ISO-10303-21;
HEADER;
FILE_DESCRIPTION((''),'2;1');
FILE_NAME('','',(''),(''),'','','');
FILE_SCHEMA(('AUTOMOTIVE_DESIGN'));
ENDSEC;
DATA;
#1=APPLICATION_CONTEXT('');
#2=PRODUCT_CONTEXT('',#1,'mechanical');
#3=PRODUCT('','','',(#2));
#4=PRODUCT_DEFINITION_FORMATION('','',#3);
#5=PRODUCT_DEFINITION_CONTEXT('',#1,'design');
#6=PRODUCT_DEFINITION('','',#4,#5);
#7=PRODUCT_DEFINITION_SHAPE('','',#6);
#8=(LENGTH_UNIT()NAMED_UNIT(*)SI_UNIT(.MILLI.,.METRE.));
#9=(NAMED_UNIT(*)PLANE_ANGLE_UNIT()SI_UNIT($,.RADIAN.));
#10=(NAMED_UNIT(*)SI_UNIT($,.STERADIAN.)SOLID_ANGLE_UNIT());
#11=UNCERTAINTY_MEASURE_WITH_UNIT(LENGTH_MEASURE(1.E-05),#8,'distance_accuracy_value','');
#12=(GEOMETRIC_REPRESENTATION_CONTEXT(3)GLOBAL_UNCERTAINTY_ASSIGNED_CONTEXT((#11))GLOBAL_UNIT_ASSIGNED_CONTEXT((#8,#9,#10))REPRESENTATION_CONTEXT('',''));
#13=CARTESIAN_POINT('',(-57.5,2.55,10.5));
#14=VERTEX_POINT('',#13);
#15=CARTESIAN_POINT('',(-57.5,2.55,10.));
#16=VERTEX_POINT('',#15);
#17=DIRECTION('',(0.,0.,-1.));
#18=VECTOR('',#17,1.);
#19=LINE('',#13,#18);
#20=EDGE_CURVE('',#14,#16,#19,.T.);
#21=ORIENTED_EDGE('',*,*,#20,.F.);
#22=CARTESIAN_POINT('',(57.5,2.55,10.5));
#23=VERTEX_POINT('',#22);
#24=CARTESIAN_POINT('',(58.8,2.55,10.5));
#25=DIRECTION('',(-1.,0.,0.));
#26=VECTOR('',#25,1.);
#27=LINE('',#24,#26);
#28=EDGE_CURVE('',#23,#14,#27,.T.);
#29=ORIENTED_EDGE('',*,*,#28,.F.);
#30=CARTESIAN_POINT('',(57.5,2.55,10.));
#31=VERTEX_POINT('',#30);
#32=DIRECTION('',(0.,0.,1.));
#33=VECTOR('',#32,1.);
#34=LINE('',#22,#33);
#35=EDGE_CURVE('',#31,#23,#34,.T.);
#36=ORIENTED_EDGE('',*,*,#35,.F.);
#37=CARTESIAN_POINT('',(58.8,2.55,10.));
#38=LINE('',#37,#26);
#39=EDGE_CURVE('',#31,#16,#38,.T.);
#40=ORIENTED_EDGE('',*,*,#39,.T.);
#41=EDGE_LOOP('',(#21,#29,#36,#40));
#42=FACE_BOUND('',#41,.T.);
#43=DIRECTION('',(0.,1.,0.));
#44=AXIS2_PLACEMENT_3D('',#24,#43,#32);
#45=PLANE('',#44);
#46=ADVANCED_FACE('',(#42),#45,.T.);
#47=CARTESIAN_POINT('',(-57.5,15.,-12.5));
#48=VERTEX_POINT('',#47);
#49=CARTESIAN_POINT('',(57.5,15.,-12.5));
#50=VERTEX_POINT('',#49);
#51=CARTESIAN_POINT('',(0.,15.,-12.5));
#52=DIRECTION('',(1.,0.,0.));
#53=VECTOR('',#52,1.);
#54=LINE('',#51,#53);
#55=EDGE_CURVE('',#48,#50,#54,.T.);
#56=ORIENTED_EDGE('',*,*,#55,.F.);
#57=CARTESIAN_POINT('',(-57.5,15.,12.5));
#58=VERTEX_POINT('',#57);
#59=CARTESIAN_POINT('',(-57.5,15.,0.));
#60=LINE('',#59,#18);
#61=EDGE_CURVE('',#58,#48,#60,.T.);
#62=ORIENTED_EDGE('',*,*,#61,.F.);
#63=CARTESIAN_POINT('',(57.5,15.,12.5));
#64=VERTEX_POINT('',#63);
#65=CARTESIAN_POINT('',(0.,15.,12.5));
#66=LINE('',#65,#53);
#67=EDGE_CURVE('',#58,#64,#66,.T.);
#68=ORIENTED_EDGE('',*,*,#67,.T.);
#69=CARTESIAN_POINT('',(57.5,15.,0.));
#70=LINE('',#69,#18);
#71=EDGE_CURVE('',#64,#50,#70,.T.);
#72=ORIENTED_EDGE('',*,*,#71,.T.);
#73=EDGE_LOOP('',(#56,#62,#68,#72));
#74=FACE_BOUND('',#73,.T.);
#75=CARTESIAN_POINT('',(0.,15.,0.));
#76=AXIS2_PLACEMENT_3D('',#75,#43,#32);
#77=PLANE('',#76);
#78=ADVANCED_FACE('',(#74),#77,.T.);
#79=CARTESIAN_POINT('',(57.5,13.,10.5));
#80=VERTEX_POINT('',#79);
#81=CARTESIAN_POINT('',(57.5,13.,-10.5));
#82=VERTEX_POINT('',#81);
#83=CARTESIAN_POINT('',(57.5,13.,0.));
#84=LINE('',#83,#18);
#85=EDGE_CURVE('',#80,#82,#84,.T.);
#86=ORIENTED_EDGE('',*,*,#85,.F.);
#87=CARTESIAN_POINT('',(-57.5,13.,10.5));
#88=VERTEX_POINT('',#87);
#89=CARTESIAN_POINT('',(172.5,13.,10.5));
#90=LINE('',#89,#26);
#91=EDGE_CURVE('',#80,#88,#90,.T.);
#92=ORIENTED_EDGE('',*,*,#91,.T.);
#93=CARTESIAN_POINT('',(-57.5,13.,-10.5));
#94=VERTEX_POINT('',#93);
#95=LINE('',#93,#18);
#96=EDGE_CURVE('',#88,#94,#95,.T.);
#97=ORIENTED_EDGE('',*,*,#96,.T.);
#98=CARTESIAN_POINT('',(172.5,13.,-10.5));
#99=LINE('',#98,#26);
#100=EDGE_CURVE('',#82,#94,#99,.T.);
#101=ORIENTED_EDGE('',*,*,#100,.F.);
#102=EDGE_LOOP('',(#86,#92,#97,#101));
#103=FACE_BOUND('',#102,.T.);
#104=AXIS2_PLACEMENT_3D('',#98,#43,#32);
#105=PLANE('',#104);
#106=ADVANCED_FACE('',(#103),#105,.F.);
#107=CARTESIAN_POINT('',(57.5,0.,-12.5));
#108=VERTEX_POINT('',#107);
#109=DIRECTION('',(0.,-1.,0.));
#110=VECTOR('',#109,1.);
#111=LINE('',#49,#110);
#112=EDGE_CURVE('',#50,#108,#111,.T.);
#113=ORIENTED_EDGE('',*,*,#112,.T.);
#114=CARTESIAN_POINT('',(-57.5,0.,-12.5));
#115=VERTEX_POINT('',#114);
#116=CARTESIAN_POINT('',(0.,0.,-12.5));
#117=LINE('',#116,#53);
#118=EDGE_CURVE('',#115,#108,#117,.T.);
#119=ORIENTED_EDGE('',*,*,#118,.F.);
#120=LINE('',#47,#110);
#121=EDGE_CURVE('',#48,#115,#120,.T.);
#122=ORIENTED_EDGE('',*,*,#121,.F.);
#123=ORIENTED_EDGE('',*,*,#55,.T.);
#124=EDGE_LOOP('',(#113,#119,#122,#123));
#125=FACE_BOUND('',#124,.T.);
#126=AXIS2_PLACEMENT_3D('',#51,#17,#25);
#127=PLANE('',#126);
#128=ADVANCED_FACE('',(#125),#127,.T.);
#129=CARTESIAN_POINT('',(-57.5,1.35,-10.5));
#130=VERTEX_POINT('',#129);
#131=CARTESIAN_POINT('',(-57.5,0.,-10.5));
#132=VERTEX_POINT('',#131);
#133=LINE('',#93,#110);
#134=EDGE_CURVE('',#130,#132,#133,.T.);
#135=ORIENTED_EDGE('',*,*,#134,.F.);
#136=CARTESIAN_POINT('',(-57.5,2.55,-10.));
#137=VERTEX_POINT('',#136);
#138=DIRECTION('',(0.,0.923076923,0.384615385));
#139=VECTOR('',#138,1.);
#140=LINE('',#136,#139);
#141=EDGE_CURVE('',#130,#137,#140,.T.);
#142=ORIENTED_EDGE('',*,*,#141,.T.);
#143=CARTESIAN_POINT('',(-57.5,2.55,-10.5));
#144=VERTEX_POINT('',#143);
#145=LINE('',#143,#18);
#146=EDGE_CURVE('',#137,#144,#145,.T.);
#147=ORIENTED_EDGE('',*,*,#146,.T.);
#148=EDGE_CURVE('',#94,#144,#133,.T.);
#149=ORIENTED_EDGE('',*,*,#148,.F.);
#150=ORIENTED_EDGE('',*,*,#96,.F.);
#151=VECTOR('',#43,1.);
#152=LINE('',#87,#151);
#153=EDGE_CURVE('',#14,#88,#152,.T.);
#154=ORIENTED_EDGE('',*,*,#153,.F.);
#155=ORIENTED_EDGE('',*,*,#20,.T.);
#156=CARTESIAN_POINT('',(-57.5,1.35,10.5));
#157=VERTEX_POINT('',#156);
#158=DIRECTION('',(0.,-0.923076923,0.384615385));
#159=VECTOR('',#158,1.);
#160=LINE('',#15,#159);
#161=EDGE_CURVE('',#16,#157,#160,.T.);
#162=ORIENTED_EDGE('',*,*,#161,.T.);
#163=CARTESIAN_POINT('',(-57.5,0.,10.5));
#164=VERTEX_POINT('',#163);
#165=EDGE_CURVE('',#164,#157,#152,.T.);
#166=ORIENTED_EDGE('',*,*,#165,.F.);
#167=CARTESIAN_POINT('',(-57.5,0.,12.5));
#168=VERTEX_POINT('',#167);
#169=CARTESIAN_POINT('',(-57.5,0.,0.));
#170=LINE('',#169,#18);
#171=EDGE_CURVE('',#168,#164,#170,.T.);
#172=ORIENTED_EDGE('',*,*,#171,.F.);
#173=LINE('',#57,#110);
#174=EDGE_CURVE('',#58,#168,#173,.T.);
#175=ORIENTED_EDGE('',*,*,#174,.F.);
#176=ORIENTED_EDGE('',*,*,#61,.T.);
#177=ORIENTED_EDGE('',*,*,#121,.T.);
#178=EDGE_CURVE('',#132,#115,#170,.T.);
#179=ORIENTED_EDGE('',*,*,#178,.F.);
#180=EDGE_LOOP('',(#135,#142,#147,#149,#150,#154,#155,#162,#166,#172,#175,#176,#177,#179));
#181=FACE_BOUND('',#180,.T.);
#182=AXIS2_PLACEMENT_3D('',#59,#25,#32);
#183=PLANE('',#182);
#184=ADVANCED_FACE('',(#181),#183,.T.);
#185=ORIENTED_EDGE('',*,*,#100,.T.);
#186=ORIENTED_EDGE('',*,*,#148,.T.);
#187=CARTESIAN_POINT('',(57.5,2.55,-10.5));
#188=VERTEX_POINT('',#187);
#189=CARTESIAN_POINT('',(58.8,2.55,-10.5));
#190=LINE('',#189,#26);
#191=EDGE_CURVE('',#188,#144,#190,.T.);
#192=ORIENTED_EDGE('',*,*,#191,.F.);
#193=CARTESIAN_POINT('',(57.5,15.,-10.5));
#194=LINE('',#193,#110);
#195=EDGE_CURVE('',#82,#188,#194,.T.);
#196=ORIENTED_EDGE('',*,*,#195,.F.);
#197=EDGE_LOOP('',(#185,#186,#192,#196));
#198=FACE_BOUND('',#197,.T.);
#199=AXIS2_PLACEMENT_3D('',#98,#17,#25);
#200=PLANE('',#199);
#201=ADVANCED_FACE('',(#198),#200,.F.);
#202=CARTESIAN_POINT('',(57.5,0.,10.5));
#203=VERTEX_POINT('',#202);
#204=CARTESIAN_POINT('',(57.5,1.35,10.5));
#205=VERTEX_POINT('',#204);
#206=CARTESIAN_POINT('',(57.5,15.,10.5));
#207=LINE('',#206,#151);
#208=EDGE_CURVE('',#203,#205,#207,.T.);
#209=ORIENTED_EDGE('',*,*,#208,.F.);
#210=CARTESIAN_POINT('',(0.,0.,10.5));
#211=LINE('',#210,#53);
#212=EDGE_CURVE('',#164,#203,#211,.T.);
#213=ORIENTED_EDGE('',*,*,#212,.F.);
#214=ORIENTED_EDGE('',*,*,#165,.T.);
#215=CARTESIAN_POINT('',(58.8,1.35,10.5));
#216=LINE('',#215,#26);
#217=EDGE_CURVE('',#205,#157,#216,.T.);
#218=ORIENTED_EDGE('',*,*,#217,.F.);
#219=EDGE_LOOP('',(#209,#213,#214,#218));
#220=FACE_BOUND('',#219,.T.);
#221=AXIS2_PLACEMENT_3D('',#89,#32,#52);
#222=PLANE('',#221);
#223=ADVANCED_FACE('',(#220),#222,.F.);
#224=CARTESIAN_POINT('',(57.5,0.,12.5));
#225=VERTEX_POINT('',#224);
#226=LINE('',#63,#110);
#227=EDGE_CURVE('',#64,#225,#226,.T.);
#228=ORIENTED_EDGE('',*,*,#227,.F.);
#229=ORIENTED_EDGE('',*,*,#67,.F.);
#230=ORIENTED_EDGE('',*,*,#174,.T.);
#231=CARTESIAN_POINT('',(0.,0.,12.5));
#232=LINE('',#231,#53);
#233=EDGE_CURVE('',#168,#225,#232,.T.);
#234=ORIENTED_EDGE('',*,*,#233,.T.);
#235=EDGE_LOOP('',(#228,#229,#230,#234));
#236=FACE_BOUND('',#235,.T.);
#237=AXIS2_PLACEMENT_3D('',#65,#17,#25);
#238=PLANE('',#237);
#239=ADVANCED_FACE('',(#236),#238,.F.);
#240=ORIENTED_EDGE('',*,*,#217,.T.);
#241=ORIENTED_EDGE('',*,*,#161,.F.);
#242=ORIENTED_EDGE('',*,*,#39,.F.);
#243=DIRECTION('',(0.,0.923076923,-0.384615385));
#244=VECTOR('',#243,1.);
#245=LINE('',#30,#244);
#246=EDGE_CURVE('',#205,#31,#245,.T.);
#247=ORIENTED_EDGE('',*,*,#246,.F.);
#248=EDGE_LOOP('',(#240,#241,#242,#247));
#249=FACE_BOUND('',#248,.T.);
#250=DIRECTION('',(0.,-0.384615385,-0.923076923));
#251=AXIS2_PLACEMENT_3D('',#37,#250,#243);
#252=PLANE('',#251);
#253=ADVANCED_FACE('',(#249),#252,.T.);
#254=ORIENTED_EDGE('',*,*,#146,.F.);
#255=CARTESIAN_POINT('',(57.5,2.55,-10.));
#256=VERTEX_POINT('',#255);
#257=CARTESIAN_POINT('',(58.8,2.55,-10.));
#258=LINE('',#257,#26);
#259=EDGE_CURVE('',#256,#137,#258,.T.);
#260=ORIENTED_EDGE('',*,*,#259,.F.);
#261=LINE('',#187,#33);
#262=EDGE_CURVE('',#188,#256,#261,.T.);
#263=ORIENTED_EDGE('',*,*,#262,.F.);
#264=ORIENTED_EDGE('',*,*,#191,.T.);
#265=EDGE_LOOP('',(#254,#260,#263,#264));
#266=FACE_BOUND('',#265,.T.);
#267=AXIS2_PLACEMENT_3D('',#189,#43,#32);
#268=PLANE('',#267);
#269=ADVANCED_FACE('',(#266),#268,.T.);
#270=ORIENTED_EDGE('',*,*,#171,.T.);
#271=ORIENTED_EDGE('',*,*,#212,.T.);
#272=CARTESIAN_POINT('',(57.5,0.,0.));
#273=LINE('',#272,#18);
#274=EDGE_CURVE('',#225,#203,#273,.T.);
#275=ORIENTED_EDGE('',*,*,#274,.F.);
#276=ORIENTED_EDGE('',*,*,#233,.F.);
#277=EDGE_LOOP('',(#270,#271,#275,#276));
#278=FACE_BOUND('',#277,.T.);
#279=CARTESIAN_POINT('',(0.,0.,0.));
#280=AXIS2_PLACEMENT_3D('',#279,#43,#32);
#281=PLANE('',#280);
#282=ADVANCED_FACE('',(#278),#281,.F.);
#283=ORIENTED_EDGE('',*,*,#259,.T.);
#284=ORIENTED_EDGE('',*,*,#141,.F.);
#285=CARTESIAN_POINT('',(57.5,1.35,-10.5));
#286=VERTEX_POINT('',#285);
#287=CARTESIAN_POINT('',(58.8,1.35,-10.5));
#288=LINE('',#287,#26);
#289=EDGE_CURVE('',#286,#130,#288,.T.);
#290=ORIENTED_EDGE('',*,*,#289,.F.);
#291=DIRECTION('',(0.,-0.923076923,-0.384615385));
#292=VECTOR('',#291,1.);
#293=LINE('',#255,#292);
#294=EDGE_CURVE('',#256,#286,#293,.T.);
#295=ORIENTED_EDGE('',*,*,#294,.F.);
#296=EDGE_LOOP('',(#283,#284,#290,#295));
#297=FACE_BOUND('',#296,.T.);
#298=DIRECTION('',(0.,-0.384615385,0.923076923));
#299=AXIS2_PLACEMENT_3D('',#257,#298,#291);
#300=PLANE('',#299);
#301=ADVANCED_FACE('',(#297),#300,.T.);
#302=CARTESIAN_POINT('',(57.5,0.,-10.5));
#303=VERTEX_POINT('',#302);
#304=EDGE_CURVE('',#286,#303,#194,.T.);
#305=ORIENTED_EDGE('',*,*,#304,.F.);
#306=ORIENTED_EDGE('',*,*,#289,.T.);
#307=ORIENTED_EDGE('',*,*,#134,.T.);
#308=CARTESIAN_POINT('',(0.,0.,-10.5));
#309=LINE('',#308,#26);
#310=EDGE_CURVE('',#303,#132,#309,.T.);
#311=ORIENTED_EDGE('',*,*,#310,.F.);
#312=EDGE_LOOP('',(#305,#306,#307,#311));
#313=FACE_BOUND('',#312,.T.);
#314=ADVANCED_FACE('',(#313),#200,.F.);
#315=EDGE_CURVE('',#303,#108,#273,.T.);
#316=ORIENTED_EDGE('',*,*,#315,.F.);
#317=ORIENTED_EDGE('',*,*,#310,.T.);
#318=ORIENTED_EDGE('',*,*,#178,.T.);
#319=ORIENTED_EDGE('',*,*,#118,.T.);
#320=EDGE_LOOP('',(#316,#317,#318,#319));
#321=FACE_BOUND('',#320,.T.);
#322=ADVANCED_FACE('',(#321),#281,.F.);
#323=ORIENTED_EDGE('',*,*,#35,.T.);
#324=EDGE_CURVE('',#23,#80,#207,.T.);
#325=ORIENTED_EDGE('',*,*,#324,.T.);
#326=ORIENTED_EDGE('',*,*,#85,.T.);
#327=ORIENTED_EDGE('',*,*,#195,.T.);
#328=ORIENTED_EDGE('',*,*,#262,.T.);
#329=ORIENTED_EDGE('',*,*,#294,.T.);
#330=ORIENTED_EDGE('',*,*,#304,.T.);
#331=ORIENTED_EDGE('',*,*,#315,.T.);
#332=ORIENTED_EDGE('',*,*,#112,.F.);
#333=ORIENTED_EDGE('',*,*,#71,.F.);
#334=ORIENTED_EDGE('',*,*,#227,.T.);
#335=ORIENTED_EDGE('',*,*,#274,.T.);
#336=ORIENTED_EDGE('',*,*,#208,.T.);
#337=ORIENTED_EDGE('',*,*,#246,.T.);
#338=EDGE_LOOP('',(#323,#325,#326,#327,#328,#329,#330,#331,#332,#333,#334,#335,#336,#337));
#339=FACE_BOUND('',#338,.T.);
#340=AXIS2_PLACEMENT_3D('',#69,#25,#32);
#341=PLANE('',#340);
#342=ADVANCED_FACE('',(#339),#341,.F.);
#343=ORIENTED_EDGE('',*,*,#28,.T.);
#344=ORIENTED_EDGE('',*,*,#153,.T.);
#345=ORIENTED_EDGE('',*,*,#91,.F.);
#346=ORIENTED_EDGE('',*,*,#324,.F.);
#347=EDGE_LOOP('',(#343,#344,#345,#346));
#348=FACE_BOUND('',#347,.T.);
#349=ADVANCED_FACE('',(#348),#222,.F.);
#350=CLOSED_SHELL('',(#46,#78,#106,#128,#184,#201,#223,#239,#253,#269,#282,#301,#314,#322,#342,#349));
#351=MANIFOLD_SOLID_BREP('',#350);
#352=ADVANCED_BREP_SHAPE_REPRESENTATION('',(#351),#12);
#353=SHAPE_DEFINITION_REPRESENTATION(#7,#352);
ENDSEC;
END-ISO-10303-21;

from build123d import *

# Parameters (mm, degrees)
CROQUIS1_W              = 115
CROQUIS1_H              = 20.7
CROQUIS1_H_2            = 2.15
SALIENTE_EXTRUIR1_DEPTH = 15
CROQUIS2_W              = 21
CROQUIS2_H              = 13
CORTAR_EXTRUIR1_DEPTH   = 230
SALIENTE_EXTRUIR4_DEPTH = 115


with BuildPart() as part:
    # Croquis1 → Saliente-Extruir1 (new body)
    with BuildSketch(Plane(origin=(0, 0, 0), x_dir=(1, 0, 0), z_dir=(0, 1, 0))):
        Rectangle(CROQUIS1_W, CROQUIS1_H)
        with Locations((0, 11.425)):
            Rectangle(CROQUIS1_W, CROQUIS1_H_2)
        with Locations((0, -11.425)):
            Rectangle(CROQUIS1_W, CROQUIS1_H_2)
    extrude(amount=SALIENTE_EXTRUIR1_DEPTH)

    # Croquis2 → Cortar-Extruir1 (cut)
    with BuildSketch(Plane.ZY.offset(57.5)):
        with Locations((0, 6.5)):
            Rectangle(CROQUIS2_W, CROQUIS2_H)
    extrude(amount=-CORTAR_EXTRUIR1_DEPTH, mode=Mode.SUBTRACT)

    # Croquis11 → Saliente-Extruir4 (add)
    with BuildSketch(Plane.ZY.offset(57.5)):
        Polygon((-10.5, 1.35), (-10.5, 2.55), (-10, 2.55), align=None)
        Polygon((10, 2.55), (10.5, 1.35), (10.5, 2.55), align=None)
    extrude(amount=-SALIENTE_EXTRUIR4_DEPTH)


solid = part.part
